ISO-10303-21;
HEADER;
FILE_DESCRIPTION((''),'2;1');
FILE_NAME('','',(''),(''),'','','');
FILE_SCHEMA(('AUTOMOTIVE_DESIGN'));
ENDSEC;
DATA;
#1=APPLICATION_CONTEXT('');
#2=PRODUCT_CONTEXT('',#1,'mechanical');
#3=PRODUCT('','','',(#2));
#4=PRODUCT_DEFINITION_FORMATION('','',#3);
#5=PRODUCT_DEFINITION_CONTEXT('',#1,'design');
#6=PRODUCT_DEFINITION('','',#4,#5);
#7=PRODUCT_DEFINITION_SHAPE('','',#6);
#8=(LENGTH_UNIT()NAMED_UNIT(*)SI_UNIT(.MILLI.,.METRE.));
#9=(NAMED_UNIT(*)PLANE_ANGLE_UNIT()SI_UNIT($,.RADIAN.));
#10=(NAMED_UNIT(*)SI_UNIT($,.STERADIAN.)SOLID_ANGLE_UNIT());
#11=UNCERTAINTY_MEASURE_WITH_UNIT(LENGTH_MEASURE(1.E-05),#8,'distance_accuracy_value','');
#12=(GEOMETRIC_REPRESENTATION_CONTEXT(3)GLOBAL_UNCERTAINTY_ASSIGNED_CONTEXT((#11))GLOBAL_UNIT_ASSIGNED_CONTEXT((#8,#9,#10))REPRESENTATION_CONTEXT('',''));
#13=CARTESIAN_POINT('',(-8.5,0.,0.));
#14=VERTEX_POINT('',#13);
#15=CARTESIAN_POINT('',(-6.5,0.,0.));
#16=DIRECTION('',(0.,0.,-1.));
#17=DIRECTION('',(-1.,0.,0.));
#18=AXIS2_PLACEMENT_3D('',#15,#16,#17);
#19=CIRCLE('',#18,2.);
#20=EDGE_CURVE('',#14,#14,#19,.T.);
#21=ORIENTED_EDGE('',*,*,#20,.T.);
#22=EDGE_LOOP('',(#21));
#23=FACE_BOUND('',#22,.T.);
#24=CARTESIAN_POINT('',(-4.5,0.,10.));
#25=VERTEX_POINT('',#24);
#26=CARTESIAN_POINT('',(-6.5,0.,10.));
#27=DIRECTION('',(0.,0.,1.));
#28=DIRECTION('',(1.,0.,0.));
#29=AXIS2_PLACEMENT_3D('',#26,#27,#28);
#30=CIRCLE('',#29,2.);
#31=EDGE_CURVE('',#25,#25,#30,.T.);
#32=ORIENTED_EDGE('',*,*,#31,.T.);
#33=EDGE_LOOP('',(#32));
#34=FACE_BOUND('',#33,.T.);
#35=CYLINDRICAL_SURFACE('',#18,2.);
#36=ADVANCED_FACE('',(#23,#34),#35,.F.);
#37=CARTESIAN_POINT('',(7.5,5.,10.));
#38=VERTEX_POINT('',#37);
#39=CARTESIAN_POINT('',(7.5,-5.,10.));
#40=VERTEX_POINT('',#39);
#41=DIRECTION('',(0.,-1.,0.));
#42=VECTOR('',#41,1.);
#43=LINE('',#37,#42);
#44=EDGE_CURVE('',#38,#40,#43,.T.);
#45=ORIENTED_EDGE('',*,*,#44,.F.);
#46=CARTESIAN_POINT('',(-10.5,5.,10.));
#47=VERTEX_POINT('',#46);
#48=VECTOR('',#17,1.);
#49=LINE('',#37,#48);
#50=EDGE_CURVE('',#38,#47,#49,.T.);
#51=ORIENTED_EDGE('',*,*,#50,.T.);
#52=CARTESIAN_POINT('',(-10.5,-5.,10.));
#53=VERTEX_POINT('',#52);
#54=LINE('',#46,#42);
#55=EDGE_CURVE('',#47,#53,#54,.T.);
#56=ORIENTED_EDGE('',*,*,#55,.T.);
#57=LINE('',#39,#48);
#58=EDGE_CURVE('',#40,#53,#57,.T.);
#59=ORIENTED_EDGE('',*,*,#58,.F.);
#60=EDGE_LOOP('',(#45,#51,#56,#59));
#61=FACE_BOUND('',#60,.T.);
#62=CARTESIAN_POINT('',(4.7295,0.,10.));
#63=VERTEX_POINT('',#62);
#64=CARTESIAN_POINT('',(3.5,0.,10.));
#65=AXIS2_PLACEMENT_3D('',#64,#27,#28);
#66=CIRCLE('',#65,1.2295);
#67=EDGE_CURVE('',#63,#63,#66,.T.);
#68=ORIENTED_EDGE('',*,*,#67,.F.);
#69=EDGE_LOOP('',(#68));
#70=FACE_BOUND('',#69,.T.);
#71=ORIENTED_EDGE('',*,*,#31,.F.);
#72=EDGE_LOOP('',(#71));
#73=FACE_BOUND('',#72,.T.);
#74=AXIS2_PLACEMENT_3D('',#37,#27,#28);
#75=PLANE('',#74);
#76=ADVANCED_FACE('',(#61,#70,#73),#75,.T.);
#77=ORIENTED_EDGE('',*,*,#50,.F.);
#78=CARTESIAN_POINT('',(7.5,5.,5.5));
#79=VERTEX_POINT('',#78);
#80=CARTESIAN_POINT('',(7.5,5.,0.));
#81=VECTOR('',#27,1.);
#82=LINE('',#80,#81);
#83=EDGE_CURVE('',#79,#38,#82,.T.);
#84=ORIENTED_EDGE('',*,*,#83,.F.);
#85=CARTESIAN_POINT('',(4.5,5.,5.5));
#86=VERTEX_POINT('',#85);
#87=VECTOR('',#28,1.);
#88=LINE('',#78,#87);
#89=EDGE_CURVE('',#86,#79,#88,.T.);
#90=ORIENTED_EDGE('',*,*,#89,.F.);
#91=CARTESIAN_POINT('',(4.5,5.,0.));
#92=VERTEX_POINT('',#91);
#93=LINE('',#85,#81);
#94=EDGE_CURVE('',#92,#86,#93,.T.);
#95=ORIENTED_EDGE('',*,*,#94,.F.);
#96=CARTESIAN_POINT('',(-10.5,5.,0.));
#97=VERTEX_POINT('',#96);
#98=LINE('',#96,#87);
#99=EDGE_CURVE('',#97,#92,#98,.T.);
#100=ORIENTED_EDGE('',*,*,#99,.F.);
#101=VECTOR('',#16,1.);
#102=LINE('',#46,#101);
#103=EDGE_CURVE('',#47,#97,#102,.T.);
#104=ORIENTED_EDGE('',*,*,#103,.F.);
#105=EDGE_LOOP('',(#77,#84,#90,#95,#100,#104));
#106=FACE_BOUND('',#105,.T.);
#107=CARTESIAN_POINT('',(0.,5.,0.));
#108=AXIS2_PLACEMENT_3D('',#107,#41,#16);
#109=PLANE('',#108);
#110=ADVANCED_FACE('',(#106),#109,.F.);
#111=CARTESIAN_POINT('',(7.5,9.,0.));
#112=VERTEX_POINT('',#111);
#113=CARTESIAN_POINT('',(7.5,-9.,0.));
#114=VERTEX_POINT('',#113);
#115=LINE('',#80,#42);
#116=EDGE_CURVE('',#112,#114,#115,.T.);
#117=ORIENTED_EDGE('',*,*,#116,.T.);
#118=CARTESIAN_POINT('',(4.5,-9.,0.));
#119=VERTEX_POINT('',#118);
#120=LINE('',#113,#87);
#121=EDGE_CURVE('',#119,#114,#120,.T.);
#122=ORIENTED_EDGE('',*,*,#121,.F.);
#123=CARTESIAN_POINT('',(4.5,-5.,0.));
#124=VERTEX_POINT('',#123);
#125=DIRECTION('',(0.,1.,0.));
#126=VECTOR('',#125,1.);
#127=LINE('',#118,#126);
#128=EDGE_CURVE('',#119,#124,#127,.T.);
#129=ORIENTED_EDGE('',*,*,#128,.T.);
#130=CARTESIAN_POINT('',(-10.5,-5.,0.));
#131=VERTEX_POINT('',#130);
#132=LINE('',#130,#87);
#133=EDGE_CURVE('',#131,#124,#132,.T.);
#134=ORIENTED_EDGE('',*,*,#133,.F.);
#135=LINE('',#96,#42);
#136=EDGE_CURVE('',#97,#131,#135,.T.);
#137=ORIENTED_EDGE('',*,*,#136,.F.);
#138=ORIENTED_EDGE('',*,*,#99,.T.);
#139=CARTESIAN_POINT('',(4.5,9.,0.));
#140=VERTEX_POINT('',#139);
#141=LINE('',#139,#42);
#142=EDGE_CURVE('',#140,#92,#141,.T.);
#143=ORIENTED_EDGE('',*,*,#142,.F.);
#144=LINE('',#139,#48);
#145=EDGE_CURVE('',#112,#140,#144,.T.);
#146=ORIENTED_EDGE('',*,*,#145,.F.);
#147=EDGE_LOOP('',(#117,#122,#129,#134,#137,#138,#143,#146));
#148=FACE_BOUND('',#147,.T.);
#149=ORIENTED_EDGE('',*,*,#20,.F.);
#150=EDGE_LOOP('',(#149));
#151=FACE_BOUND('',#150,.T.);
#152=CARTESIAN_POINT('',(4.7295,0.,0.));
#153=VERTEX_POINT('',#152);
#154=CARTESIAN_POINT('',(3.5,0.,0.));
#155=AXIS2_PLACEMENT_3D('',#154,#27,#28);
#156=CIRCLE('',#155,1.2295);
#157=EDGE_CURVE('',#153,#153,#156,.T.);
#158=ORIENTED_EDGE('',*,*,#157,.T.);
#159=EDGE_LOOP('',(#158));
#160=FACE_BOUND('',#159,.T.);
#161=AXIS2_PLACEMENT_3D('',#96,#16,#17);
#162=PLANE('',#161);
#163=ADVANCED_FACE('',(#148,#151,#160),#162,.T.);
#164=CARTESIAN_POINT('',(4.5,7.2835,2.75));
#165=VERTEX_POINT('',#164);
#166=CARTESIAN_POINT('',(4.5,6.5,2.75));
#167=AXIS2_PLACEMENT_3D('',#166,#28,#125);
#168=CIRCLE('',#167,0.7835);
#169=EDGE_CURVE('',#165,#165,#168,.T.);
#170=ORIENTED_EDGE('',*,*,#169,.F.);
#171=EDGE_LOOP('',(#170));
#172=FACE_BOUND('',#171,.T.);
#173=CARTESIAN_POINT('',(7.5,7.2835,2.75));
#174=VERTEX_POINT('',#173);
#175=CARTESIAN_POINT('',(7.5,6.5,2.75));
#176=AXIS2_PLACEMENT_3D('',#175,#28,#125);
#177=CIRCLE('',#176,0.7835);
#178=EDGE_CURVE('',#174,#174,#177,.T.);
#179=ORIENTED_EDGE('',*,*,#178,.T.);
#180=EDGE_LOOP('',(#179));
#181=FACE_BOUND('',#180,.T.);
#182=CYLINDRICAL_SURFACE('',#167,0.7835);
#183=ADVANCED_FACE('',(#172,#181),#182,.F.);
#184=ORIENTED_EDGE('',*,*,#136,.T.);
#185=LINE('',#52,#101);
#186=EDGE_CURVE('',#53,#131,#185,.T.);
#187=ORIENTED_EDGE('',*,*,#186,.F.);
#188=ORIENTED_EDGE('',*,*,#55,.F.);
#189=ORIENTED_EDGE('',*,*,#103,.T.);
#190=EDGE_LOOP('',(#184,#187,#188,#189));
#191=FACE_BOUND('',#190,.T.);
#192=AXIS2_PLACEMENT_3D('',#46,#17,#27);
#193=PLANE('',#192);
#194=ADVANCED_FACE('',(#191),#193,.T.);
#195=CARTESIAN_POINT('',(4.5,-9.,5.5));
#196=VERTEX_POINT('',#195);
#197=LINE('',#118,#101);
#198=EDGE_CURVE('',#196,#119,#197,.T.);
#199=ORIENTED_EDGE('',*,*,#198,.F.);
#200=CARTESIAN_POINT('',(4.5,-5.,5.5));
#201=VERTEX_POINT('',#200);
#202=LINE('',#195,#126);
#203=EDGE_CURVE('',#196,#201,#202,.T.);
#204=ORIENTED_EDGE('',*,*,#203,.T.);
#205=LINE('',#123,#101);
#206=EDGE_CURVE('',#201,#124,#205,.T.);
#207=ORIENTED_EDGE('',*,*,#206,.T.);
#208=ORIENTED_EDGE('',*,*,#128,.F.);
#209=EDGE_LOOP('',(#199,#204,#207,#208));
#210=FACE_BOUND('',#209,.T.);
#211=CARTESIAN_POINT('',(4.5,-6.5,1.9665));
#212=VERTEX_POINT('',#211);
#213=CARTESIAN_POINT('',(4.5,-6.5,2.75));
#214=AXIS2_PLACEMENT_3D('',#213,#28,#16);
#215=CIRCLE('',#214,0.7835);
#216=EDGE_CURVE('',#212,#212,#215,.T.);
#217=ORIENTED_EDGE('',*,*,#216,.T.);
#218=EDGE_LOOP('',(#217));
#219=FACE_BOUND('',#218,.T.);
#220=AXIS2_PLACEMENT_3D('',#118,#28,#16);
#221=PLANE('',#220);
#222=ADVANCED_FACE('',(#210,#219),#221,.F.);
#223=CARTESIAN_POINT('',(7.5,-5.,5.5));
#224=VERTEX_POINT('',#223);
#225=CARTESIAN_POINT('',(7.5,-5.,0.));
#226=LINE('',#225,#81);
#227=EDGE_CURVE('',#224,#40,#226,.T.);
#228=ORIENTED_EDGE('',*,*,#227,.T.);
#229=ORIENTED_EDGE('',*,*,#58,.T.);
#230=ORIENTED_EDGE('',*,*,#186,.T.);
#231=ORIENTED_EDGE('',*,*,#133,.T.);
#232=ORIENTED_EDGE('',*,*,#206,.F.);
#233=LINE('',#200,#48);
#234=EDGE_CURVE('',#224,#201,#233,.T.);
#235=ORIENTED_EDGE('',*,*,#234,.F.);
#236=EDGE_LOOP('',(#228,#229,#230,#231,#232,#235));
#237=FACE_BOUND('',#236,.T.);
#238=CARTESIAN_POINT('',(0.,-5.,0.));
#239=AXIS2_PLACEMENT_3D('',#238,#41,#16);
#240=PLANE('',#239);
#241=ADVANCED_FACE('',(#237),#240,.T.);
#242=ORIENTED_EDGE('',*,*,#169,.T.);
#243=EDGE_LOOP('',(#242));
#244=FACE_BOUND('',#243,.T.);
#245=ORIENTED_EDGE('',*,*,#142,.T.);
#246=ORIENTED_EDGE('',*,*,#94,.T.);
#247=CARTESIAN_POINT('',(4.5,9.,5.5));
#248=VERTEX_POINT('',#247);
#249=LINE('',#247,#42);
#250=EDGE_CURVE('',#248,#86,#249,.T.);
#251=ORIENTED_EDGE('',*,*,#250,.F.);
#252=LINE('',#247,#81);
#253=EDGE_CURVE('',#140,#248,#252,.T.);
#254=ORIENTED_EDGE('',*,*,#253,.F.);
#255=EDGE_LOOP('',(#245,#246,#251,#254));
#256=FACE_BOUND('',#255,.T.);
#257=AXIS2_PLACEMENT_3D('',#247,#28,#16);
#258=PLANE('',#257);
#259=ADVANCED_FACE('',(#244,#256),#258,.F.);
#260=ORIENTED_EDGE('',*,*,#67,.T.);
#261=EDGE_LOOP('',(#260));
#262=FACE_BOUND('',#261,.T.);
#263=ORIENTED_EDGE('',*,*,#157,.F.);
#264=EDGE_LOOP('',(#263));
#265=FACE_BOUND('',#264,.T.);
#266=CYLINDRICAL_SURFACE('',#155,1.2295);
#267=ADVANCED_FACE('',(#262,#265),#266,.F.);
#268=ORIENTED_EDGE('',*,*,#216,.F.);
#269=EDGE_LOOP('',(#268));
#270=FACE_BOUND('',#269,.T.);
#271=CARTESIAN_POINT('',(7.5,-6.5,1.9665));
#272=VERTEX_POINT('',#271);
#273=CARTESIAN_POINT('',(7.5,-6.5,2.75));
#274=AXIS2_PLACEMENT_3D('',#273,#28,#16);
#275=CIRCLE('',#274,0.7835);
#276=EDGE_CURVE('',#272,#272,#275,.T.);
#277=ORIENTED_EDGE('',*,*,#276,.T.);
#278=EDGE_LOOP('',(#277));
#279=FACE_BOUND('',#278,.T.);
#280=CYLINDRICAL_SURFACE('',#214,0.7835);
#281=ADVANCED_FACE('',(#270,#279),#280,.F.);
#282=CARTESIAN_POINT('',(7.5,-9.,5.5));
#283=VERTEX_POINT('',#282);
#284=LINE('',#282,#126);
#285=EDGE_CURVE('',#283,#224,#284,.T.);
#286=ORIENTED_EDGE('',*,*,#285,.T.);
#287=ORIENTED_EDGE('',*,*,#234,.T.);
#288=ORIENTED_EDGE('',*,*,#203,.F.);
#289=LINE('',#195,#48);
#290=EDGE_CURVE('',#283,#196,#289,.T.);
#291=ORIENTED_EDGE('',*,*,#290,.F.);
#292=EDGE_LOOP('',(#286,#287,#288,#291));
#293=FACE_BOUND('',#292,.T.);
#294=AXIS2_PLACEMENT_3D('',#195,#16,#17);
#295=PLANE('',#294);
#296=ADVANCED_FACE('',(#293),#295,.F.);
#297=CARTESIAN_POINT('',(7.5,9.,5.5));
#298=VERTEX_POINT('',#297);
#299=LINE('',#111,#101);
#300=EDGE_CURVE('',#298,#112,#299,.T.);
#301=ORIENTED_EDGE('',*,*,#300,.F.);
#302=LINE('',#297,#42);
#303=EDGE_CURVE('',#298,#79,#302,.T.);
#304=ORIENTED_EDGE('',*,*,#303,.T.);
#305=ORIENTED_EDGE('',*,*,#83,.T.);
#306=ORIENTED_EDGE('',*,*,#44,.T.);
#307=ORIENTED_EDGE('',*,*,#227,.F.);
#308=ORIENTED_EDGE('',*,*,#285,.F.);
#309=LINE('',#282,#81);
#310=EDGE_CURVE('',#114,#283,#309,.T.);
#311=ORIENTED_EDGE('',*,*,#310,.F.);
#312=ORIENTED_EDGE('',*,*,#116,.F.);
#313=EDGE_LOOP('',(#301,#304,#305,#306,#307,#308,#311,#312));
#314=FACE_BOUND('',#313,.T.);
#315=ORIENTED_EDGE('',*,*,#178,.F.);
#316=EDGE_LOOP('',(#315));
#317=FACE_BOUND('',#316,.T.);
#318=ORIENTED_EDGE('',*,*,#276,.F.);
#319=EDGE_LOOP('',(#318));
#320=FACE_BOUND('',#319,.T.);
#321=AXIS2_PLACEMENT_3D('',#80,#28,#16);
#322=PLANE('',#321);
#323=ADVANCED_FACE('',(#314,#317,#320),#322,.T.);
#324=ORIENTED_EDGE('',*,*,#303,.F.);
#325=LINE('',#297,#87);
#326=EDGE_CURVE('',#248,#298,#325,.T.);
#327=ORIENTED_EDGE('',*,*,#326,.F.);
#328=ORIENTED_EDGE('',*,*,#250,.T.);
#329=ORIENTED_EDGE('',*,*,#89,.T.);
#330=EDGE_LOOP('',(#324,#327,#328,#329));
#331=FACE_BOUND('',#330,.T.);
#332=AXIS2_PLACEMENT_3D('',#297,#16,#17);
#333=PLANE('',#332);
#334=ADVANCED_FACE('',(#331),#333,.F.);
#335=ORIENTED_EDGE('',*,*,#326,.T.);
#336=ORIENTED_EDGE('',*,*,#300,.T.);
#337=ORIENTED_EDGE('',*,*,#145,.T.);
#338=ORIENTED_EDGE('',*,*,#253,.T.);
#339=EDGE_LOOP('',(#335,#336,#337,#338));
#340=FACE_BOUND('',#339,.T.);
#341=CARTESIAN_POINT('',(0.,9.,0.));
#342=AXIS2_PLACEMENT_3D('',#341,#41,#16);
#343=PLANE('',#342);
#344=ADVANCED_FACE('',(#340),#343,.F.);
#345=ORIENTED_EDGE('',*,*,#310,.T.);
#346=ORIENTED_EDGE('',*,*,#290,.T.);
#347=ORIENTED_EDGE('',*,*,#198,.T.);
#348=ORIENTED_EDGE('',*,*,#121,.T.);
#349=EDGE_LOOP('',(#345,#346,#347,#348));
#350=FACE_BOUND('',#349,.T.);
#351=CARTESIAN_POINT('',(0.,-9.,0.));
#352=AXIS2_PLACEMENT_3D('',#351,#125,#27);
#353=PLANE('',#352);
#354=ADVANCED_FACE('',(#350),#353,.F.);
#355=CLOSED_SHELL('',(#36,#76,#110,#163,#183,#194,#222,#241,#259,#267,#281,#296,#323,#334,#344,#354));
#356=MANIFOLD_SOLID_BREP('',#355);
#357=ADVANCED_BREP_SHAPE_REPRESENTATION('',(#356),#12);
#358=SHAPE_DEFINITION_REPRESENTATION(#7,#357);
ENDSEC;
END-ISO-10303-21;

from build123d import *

# Parameters (mm, degrees)
SKETCH1_W                = 18
SKETCH1_H                = 10
BOSS_EXTRUDE1_DEPTH      = 10
SKETCH2_W                = 3
SKETCH2_H                = 5.5
BOSS_EXTRUDE2_DEPTH      = 4
SKETCH3_W                = 3
SKETCH3_H                = 5.5
BOSS_EXTRUDE3_DEPTH      = 4
F_4_0_4_DIAMETER_HOLE1_D = 4


with BuildPart() as part:
    # Sketch1 → Boss-Extrude1 (new body)
    with BuildSketch(Plane.XZ.offset(5)):
        with Locations((-1.5, 5)):
            Rectangle(SKETCH1_W, SKETCH1_H)
    extrude(amount=-BOSS_EXTRUDE1_DEPTH)

    # Sketch2 → Boss-Extrude2 (add)
    with BuildSketch(Plane(origin=(0, 5, 0), x_dir=(-1, 0, 0), z_dir=(0, 1, 0))):
        with Locations((-6, 2.75)):
            Rectangle(SKETCH2_W, SKETCH2_H)
    extrude(amount=BOSS_EXTRUDE2_DEPTH)

    # Sketch3 → Boss-Extrude3 (add)
    with BuildSketch(Plane.XZ.offset(5)):
        with Locations((6, 2.75)):
            Rectangle(SKETCH3_W, SKETCH3_H)
    extrude(amount=BOSS_EXTRUDE3_DEPTH)

    # Sketch4 → Cut-Revolve1 (revolve, cut)
    with BuildSketch(Plane.XY.offset(2.75)):
        Polygon((4.5, 7.2835), (4.5, 6.5), (7.5, 6.5), (7.5, 7.2835), (5.5, 7.2835), align=None)
    revolve(axis=Axis((4.5, 6.5, 2.75), (1, 0, 0)), mode=Mode.SUBTRACT)

    # Sketch5 → Cut-Revolve2 (revolve, cut)
    with BuildSketch(Plane.XY.offset(2.75), mode=Mode.PRIVATE) as cut_revolve2_sk:
        Polygon((4.5, -5.7165), (4.5, -6.5), (7.5, -6.5), (7.5, -5.7165), (5.5, -5.7165), align=None)
    revolve(cut_revolve2_sk.sketch.rotate(Axis((4.5, -6.5, 2.75), (1, 0, 0)), 270), axis=Axis((4.5, -6.5, 2.75), (1, 0, 0)), mode=Mode.SUBTRACT)

    # Sketch6 → Cut-Revolve3 (revolve, cut)
    with BuildSketch(Plane(origin=(0, 0, 0), x_dir=(1, 0, 0), z_dir=(0, 1, 0))):
        Polygon((4.7295, 0), (3.5, 0), (3.5, -10), (4.7295, -10), (4.7295, -8), align=None)
    revolve(axis=Axis((3.5, 0, 0), (0, 0, 1)), mode=Mode.SUBTRACT)

    # Ø4.0 (4) Diameter Hole1 (through all)
    with Locations(Plane(origin=(0, 0, 0), x_dir=(-1, 0, 0), z_dir=(0, 0, -1))):
        with Locations((6.5, 0)):
            Hole(F_4_0_4_DIAMETER_HOLE1_D / 2)


solid = part.part
